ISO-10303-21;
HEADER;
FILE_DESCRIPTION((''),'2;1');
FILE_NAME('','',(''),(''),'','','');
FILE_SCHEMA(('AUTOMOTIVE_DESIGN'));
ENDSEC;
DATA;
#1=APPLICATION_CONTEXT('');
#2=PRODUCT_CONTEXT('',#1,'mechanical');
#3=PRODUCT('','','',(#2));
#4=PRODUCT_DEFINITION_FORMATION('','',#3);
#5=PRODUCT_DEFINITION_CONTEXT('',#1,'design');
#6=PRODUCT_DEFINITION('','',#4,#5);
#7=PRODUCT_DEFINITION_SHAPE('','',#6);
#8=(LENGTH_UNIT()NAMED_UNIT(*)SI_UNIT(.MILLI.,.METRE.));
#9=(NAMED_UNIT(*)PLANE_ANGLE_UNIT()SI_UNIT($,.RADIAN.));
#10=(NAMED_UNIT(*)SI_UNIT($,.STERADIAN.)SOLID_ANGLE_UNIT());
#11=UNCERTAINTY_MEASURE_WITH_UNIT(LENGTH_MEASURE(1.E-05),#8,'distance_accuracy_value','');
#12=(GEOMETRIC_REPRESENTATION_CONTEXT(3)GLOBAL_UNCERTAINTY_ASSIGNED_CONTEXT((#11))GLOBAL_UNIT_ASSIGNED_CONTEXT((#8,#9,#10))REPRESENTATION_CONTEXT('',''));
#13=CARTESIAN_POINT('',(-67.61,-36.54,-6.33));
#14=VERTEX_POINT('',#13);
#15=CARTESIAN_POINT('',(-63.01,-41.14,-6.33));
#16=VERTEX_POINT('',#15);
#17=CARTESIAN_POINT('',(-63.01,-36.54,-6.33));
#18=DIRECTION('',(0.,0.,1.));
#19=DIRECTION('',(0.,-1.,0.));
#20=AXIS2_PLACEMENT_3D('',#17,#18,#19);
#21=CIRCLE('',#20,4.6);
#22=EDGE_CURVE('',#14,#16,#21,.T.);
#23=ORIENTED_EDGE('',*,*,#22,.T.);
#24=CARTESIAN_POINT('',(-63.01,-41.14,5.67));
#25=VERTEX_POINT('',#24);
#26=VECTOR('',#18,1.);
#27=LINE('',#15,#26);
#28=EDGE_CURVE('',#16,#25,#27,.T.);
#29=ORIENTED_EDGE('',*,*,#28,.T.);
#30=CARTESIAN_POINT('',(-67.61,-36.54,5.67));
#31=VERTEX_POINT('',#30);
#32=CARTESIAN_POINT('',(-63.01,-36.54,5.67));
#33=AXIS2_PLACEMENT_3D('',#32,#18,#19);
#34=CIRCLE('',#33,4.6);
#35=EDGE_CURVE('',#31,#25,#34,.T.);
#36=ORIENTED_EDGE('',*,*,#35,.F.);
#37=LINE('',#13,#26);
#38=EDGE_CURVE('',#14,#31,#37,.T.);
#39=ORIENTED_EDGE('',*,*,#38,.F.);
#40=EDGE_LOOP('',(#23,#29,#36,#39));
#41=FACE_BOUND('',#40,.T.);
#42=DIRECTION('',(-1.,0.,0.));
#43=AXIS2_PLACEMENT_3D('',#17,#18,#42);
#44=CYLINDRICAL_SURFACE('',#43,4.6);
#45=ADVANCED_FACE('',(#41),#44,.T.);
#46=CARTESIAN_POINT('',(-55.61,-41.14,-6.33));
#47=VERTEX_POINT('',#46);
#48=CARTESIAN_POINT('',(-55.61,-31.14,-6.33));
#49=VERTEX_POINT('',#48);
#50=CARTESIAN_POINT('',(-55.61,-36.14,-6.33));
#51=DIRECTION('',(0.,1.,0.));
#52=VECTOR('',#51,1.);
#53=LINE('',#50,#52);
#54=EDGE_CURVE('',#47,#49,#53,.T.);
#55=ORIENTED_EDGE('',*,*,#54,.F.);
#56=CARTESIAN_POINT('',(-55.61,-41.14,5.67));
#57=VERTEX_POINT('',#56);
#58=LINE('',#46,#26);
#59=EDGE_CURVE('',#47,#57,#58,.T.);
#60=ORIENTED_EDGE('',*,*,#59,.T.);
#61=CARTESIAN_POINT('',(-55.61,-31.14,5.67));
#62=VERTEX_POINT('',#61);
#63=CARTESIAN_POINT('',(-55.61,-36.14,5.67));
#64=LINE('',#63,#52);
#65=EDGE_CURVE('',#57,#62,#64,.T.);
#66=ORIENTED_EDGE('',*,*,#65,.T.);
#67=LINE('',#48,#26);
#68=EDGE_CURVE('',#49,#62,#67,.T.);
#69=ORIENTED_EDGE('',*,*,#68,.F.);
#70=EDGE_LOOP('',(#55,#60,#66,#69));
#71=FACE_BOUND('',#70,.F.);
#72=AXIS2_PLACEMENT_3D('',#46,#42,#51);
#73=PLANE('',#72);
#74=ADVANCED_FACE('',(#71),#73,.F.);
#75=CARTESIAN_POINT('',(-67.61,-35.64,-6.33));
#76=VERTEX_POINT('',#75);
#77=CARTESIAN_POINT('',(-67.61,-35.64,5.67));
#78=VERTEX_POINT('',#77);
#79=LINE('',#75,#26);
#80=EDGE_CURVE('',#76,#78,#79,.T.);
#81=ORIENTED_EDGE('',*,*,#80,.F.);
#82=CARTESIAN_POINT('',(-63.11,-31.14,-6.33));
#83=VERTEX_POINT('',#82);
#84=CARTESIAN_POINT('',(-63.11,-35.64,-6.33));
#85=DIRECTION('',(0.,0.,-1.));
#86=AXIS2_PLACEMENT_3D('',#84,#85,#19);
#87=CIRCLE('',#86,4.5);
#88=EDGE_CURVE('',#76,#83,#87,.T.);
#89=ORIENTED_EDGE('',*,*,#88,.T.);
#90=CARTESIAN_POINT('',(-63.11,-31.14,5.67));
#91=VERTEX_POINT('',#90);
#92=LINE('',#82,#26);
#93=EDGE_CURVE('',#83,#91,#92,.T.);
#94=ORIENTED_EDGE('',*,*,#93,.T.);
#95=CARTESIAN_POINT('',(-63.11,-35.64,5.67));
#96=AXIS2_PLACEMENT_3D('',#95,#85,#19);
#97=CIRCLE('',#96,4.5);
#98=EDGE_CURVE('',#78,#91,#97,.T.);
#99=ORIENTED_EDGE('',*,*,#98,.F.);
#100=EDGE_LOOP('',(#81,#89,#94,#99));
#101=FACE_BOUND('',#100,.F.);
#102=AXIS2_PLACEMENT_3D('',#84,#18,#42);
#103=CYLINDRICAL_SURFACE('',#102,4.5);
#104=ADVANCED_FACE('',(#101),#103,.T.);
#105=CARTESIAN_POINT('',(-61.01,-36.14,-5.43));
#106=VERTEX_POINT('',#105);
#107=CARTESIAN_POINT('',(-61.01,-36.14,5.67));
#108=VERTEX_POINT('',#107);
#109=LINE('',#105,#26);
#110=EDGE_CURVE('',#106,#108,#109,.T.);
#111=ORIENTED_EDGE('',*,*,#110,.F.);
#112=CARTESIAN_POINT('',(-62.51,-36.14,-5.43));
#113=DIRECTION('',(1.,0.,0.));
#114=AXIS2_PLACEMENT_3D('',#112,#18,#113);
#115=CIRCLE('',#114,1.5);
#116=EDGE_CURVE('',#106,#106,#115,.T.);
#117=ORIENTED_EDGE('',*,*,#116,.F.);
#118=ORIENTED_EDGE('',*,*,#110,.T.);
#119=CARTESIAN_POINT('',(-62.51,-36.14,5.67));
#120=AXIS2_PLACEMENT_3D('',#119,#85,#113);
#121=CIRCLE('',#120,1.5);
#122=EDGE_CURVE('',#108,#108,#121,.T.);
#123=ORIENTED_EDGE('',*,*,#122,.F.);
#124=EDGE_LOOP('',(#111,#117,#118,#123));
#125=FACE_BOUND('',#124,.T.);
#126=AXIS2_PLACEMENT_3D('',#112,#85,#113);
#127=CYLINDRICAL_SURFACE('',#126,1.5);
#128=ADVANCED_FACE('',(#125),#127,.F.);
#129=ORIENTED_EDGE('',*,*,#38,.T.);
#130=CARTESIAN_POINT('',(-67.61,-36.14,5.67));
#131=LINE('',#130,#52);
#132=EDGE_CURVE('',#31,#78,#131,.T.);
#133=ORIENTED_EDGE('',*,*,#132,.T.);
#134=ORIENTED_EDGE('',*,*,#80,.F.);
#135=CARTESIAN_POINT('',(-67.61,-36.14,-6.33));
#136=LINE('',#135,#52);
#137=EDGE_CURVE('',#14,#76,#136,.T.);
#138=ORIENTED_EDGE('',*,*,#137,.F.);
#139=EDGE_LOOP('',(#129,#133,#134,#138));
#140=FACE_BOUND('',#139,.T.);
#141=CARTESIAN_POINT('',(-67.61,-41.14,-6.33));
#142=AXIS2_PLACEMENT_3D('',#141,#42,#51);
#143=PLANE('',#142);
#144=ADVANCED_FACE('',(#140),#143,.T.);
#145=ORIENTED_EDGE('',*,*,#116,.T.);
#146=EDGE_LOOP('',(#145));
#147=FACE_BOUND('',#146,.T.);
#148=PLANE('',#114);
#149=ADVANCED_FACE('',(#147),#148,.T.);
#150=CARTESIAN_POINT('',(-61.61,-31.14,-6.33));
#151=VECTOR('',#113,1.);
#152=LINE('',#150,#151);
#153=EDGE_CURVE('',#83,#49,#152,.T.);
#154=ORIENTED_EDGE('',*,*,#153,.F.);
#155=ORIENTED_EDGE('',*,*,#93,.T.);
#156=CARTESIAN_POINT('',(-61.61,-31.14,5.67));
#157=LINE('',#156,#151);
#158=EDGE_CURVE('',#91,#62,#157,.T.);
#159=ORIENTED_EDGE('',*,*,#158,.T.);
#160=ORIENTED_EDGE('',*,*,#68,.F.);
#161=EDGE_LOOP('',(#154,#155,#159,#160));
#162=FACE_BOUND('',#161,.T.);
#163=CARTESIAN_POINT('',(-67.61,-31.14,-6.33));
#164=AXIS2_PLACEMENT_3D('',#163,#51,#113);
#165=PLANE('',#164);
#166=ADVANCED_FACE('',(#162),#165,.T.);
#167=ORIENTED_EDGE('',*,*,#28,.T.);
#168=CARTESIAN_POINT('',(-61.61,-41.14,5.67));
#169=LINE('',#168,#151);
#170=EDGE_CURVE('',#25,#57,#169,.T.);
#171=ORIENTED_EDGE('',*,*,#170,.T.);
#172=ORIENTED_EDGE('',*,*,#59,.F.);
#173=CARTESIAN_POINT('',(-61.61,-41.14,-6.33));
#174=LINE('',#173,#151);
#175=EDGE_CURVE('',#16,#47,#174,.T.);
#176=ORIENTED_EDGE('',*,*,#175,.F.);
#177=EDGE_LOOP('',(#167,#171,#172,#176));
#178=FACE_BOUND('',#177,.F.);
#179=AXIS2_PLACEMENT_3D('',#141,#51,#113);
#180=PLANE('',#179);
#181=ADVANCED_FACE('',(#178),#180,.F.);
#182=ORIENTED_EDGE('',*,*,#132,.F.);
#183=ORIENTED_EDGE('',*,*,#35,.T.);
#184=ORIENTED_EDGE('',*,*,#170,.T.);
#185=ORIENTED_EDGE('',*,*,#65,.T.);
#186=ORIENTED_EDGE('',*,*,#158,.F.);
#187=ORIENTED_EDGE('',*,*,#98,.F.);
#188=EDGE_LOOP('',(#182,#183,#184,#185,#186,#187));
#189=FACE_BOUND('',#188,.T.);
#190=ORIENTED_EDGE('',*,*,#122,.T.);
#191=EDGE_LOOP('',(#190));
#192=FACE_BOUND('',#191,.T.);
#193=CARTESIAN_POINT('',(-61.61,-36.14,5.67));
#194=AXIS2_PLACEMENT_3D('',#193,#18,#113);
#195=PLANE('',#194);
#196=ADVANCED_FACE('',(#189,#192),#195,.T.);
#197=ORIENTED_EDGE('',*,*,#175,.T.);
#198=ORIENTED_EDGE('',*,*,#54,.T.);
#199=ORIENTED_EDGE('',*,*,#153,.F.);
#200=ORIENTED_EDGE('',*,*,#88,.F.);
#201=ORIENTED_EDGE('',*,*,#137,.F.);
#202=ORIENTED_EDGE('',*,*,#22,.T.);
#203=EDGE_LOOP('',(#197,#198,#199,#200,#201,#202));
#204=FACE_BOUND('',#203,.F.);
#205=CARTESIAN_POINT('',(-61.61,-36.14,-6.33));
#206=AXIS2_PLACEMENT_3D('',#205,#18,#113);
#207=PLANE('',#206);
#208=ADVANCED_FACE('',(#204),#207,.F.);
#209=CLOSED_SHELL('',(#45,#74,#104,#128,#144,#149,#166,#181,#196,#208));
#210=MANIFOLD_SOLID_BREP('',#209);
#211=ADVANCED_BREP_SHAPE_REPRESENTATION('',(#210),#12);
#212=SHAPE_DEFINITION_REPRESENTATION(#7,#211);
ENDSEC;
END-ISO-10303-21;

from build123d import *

# Parameters (mm, degrees)
CYLINDER002_R     = 1.5
CYLINDER002_DEPTH = 20
BOX033_W          = 12
BOX033_H          = 10
BOX033_DEPTH      = 12
FILLET011_R       = 4.5
FILLET012_R       = 4.6


with BuildPart() as cylinder:
    # Cylinder002 → Cylinder002 (new body)
    with BuildSketch(Plane(origin=(-103.2, 5, -48.3), x_dir=(1, 0, 0), z_dir=(0, 0, 1))):
        Circle(CYLINDER002_R)
    extrude(amount=CYLINDER002_DEPTH)


with BuildPart() as fillet012:
    # Box033 → Box033 (new body)
    with BuildSketch(Plane(origin=(-108.3, 0, -49.2), x_dir=(1, 0, 0), z_dir=(0, 0, 1))):
        with Locations((6, 5)):
            Rectangle(BOX033_W, BOX033_H)
    extrude(amount=BOX033_DEPTH)

    # Cut017: cut Cylinder
    add(cylinder.part, mode=Mode.SUBTRACT)

    # Fillet011
    fillet011_edges = [fillet012.edges().sort_by_distance(p)[0] for p in [
        (-108.3, 10, -43.2),
    ]]
    fillet(fillet011_edges, radius=FILLET011_R)

    # Fillet012
    fillet012_edges = [fillet012.edges().sort_by_distance(p)[0] for p in [
        (-108.3, 0, -43.2),
    ]]
    fillet(fillet012_edges, radius=FILLET012_R)


with BuildPart() as fillet012_1:
    # Fillet012 placement: moved
    add(fillet012.part.moved(Location((40.69, -41.14, 42.87))))


solid = fillet012_1.part
